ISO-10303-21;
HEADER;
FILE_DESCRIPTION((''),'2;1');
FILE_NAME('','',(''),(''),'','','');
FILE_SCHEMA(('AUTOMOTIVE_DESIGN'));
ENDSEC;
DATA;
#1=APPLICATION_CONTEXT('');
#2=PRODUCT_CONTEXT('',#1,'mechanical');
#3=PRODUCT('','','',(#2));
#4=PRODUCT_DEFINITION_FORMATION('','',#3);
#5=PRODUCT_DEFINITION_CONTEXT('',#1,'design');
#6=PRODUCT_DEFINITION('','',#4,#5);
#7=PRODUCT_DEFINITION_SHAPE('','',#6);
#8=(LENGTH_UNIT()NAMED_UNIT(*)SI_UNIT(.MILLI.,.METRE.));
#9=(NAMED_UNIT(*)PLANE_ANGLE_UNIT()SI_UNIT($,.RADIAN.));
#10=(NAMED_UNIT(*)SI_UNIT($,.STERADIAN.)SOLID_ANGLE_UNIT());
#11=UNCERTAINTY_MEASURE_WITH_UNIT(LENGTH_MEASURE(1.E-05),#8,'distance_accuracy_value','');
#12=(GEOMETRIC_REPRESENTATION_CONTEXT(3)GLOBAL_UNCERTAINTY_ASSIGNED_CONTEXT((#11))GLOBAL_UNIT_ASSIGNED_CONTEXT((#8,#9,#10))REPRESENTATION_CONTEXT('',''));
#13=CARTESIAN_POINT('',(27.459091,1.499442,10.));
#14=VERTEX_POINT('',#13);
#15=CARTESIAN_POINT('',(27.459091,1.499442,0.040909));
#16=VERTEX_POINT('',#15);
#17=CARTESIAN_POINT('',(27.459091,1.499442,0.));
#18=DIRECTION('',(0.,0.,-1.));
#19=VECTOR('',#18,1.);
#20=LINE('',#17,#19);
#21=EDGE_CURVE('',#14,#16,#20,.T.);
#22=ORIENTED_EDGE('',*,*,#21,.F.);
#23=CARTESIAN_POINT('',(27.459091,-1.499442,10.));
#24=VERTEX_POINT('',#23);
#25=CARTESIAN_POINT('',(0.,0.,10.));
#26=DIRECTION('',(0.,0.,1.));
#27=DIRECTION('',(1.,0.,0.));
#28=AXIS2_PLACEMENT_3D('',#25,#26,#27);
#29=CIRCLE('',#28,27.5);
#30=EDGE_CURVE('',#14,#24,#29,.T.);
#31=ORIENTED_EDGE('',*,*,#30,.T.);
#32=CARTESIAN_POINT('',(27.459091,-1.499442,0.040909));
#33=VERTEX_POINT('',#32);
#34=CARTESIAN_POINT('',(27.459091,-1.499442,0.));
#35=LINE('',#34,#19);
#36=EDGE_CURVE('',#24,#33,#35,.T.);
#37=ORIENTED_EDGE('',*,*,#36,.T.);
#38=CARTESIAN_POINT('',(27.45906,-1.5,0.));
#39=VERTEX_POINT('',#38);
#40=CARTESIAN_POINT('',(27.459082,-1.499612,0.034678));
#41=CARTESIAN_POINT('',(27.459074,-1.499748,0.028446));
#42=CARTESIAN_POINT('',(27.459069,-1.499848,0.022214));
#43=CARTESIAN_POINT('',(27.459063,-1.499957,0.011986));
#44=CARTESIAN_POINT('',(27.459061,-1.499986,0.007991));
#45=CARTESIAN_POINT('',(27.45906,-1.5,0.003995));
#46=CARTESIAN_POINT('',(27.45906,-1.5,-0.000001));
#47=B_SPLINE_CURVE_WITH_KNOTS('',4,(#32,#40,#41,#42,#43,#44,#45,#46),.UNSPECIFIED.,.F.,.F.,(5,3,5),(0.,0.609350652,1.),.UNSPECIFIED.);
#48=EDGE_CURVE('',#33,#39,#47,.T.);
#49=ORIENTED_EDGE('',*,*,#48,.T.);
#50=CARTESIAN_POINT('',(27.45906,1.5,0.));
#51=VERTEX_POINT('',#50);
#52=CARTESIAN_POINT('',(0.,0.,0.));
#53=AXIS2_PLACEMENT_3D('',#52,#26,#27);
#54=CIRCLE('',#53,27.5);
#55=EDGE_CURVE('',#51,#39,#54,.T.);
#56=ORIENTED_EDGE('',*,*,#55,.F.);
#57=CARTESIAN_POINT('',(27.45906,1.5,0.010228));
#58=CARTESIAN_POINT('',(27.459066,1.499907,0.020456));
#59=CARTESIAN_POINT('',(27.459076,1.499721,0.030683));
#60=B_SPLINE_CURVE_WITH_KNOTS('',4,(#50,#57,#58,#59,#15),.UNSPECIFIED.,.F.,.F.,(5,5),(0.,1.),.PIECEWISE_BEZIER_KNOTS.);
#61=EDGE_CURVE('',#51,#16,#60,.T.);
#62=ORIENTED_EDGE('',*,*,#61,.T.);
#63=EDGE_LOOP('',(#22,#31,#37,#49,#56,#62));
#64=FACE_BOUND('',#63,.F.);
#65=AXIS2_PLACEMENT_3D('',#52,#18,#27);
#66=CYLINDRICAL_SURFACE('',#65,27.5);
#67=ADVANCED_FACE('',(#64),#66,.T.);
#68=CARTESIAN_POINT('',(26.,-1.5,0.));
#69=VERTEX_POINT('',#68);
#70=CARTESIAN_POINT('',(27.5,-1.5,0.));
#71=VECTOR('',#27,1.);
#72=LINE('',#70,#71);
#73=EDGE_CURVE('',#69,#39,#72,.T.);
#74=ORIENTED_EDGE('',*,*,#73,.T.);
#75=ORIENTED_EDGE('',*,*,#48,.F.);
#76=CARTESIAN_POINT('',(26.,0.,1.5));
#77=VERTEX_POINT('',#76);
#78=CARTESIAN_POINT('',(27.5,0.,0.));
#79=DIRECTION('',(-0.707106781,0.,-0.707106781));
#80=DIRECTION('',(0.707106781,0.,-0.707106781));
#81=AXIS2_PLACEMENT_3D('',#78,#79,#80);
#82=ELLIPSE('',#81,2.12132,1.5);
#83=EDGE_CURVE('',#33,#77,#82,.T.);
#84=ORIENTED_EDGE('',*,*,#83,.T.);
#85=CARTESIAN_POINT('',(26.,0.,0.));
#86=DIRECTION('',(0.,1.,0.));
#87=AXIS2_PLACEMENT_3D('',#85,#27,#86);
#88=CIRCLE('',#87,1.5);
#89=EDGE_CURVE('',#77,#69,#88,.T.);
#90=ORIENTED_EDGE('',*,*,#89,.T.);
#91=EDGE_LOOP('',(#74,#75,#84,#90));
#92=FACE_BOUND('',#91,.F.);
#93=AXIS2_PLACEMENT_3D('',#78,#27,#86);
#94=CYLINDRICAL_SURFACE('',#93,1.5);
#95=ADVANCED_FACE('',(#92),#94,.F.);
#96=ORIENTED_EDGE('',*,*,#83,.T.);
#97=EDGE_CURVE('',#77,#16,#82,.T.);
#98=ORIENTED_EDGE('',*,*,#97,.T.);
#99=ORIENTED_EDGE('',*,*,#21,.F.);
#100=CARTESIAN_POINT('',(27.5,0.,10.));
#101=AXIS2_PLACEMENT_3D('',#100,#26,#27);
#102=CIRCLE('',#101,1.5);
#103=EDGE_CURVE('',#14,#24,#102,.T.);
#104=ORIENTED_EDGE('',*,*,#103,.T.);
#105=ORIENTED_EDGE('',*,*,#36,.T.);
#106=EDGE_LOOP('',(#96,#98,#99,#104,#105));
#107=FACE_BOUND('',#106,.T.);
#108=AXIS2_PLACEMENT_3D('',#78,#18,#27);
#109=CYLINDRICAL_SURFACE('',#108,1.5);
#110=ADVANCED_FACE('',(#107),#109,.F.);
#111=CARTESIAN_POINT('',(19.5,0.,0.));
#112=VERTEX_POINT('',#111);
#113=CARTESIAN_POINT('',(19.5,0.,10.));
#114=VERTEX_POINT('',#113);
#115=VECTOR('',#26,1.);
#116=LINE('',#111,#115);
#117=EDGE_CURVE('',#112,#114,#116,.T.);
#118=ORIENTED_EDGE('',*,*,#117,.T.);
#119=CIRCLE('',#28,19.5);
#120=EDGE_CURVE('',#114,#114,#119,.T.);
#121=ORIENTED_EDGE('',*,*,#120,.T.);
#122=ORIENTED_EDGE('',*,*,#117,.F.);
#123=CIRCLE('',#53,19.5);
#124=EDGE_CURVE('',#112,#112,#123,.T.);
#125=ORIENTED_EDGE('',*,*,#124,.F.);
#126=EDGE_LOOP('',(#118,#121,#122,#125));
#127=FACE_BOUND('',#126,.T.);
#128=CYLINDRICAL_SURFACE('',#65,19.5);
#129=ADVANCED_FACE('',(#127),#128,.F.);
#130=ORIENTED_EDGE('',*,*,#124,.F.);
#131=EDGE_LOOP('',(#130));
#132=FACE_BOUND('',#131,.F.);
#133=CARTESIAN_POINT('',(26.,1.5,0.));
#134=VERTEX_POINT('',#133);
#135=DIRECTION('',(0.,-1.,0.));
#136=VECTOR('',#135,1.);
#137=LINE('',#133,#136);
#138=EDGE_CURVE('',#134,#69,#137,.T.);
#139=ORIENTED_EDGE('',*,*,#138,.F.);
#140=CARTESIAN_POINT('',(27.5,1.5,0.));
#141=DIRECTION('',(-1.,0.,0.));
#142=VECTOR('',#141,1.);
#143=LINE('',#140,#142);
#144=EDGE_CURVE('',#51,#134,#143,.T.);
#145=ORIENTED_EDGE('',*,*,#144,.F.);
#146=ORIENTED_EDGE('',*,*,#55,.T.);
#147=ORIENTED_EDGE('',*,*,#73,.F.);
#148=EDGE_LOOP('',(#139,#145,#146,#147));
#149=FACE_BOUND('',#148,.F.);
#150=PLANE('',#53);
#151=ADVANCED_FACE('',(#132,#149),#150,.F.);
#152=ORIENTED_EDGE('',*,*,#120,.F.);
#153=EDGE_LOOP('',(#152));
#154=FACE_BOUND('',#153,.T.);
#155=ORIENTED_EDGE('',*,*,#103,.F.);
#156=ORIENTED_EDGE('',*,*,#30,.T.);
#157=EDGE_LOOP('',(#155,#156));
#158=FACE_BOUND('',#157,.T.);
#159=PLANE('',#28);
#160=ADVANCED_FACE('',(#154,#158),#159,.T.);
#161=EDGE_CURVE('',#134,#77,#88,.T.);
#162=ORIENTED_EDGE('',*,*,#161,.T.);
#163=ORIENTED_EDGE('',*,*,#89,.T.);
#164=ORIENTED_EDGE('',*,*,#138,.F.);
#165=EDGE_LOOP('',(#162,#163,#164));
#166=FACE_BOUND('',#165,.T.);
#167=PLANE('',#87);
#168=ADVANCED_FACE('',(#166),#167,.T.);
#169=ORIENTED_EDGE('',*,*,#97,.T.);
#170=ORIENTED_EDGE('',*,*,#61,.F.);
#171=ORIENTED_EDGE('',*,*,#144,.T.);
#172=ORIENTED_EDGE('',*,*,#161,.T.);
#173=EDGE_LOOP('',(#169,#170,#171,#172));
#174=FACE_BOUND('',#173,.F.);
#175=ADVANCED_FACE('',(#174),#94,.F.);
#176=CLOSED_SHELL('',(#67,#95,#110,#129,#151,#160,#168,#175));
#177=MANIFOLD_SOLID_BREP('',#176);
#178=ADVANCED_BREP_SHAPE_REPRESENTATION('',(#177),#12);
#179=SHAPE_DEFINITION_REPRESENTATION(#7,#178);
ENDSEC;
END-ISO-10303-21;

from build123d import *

# Parameters (mm, degrees)
SKETCH_R        = 27.5
SKETCH_R_2      = 19.5
PAD_DEPTH       = 10
SKETCH001_R     = 1.5
POCKET_DEPTH    = 10
SKETCH002_R     = 1.5
POCKET001_DEPTH = 1.5


with BuildPart() as part:
    # Sketch → Pad (new body)
    with BuildSketch(Plane.XY):
        Circle(SKETCH_R)
        Circle(SKETCH_R_2, mode=Mode.SUBTRACT)
    extrude(amount=PAD_DEPTH)

    # Sketch001 → Pocket (cut)
    with BuildSketch(Plane(origin=(27.5, 0, 0), x_dir=(1, 0, 0), z_dir=(0, 0, 1))):
        Circle(SKETCH001_R)
    extrude(amount=POCKET_DEPTH, mode=Mode.SUBTRACT)

    # Sketch002 → Pocket001 (cut)
    with BuildSketch(Plane.YZ.offset(27.5)):
        Circle(SKETCH002_R)
    extrude(amount=-POCKET001_DEPTH, mode=Mode.SUBTRACT)


solid = part.part
